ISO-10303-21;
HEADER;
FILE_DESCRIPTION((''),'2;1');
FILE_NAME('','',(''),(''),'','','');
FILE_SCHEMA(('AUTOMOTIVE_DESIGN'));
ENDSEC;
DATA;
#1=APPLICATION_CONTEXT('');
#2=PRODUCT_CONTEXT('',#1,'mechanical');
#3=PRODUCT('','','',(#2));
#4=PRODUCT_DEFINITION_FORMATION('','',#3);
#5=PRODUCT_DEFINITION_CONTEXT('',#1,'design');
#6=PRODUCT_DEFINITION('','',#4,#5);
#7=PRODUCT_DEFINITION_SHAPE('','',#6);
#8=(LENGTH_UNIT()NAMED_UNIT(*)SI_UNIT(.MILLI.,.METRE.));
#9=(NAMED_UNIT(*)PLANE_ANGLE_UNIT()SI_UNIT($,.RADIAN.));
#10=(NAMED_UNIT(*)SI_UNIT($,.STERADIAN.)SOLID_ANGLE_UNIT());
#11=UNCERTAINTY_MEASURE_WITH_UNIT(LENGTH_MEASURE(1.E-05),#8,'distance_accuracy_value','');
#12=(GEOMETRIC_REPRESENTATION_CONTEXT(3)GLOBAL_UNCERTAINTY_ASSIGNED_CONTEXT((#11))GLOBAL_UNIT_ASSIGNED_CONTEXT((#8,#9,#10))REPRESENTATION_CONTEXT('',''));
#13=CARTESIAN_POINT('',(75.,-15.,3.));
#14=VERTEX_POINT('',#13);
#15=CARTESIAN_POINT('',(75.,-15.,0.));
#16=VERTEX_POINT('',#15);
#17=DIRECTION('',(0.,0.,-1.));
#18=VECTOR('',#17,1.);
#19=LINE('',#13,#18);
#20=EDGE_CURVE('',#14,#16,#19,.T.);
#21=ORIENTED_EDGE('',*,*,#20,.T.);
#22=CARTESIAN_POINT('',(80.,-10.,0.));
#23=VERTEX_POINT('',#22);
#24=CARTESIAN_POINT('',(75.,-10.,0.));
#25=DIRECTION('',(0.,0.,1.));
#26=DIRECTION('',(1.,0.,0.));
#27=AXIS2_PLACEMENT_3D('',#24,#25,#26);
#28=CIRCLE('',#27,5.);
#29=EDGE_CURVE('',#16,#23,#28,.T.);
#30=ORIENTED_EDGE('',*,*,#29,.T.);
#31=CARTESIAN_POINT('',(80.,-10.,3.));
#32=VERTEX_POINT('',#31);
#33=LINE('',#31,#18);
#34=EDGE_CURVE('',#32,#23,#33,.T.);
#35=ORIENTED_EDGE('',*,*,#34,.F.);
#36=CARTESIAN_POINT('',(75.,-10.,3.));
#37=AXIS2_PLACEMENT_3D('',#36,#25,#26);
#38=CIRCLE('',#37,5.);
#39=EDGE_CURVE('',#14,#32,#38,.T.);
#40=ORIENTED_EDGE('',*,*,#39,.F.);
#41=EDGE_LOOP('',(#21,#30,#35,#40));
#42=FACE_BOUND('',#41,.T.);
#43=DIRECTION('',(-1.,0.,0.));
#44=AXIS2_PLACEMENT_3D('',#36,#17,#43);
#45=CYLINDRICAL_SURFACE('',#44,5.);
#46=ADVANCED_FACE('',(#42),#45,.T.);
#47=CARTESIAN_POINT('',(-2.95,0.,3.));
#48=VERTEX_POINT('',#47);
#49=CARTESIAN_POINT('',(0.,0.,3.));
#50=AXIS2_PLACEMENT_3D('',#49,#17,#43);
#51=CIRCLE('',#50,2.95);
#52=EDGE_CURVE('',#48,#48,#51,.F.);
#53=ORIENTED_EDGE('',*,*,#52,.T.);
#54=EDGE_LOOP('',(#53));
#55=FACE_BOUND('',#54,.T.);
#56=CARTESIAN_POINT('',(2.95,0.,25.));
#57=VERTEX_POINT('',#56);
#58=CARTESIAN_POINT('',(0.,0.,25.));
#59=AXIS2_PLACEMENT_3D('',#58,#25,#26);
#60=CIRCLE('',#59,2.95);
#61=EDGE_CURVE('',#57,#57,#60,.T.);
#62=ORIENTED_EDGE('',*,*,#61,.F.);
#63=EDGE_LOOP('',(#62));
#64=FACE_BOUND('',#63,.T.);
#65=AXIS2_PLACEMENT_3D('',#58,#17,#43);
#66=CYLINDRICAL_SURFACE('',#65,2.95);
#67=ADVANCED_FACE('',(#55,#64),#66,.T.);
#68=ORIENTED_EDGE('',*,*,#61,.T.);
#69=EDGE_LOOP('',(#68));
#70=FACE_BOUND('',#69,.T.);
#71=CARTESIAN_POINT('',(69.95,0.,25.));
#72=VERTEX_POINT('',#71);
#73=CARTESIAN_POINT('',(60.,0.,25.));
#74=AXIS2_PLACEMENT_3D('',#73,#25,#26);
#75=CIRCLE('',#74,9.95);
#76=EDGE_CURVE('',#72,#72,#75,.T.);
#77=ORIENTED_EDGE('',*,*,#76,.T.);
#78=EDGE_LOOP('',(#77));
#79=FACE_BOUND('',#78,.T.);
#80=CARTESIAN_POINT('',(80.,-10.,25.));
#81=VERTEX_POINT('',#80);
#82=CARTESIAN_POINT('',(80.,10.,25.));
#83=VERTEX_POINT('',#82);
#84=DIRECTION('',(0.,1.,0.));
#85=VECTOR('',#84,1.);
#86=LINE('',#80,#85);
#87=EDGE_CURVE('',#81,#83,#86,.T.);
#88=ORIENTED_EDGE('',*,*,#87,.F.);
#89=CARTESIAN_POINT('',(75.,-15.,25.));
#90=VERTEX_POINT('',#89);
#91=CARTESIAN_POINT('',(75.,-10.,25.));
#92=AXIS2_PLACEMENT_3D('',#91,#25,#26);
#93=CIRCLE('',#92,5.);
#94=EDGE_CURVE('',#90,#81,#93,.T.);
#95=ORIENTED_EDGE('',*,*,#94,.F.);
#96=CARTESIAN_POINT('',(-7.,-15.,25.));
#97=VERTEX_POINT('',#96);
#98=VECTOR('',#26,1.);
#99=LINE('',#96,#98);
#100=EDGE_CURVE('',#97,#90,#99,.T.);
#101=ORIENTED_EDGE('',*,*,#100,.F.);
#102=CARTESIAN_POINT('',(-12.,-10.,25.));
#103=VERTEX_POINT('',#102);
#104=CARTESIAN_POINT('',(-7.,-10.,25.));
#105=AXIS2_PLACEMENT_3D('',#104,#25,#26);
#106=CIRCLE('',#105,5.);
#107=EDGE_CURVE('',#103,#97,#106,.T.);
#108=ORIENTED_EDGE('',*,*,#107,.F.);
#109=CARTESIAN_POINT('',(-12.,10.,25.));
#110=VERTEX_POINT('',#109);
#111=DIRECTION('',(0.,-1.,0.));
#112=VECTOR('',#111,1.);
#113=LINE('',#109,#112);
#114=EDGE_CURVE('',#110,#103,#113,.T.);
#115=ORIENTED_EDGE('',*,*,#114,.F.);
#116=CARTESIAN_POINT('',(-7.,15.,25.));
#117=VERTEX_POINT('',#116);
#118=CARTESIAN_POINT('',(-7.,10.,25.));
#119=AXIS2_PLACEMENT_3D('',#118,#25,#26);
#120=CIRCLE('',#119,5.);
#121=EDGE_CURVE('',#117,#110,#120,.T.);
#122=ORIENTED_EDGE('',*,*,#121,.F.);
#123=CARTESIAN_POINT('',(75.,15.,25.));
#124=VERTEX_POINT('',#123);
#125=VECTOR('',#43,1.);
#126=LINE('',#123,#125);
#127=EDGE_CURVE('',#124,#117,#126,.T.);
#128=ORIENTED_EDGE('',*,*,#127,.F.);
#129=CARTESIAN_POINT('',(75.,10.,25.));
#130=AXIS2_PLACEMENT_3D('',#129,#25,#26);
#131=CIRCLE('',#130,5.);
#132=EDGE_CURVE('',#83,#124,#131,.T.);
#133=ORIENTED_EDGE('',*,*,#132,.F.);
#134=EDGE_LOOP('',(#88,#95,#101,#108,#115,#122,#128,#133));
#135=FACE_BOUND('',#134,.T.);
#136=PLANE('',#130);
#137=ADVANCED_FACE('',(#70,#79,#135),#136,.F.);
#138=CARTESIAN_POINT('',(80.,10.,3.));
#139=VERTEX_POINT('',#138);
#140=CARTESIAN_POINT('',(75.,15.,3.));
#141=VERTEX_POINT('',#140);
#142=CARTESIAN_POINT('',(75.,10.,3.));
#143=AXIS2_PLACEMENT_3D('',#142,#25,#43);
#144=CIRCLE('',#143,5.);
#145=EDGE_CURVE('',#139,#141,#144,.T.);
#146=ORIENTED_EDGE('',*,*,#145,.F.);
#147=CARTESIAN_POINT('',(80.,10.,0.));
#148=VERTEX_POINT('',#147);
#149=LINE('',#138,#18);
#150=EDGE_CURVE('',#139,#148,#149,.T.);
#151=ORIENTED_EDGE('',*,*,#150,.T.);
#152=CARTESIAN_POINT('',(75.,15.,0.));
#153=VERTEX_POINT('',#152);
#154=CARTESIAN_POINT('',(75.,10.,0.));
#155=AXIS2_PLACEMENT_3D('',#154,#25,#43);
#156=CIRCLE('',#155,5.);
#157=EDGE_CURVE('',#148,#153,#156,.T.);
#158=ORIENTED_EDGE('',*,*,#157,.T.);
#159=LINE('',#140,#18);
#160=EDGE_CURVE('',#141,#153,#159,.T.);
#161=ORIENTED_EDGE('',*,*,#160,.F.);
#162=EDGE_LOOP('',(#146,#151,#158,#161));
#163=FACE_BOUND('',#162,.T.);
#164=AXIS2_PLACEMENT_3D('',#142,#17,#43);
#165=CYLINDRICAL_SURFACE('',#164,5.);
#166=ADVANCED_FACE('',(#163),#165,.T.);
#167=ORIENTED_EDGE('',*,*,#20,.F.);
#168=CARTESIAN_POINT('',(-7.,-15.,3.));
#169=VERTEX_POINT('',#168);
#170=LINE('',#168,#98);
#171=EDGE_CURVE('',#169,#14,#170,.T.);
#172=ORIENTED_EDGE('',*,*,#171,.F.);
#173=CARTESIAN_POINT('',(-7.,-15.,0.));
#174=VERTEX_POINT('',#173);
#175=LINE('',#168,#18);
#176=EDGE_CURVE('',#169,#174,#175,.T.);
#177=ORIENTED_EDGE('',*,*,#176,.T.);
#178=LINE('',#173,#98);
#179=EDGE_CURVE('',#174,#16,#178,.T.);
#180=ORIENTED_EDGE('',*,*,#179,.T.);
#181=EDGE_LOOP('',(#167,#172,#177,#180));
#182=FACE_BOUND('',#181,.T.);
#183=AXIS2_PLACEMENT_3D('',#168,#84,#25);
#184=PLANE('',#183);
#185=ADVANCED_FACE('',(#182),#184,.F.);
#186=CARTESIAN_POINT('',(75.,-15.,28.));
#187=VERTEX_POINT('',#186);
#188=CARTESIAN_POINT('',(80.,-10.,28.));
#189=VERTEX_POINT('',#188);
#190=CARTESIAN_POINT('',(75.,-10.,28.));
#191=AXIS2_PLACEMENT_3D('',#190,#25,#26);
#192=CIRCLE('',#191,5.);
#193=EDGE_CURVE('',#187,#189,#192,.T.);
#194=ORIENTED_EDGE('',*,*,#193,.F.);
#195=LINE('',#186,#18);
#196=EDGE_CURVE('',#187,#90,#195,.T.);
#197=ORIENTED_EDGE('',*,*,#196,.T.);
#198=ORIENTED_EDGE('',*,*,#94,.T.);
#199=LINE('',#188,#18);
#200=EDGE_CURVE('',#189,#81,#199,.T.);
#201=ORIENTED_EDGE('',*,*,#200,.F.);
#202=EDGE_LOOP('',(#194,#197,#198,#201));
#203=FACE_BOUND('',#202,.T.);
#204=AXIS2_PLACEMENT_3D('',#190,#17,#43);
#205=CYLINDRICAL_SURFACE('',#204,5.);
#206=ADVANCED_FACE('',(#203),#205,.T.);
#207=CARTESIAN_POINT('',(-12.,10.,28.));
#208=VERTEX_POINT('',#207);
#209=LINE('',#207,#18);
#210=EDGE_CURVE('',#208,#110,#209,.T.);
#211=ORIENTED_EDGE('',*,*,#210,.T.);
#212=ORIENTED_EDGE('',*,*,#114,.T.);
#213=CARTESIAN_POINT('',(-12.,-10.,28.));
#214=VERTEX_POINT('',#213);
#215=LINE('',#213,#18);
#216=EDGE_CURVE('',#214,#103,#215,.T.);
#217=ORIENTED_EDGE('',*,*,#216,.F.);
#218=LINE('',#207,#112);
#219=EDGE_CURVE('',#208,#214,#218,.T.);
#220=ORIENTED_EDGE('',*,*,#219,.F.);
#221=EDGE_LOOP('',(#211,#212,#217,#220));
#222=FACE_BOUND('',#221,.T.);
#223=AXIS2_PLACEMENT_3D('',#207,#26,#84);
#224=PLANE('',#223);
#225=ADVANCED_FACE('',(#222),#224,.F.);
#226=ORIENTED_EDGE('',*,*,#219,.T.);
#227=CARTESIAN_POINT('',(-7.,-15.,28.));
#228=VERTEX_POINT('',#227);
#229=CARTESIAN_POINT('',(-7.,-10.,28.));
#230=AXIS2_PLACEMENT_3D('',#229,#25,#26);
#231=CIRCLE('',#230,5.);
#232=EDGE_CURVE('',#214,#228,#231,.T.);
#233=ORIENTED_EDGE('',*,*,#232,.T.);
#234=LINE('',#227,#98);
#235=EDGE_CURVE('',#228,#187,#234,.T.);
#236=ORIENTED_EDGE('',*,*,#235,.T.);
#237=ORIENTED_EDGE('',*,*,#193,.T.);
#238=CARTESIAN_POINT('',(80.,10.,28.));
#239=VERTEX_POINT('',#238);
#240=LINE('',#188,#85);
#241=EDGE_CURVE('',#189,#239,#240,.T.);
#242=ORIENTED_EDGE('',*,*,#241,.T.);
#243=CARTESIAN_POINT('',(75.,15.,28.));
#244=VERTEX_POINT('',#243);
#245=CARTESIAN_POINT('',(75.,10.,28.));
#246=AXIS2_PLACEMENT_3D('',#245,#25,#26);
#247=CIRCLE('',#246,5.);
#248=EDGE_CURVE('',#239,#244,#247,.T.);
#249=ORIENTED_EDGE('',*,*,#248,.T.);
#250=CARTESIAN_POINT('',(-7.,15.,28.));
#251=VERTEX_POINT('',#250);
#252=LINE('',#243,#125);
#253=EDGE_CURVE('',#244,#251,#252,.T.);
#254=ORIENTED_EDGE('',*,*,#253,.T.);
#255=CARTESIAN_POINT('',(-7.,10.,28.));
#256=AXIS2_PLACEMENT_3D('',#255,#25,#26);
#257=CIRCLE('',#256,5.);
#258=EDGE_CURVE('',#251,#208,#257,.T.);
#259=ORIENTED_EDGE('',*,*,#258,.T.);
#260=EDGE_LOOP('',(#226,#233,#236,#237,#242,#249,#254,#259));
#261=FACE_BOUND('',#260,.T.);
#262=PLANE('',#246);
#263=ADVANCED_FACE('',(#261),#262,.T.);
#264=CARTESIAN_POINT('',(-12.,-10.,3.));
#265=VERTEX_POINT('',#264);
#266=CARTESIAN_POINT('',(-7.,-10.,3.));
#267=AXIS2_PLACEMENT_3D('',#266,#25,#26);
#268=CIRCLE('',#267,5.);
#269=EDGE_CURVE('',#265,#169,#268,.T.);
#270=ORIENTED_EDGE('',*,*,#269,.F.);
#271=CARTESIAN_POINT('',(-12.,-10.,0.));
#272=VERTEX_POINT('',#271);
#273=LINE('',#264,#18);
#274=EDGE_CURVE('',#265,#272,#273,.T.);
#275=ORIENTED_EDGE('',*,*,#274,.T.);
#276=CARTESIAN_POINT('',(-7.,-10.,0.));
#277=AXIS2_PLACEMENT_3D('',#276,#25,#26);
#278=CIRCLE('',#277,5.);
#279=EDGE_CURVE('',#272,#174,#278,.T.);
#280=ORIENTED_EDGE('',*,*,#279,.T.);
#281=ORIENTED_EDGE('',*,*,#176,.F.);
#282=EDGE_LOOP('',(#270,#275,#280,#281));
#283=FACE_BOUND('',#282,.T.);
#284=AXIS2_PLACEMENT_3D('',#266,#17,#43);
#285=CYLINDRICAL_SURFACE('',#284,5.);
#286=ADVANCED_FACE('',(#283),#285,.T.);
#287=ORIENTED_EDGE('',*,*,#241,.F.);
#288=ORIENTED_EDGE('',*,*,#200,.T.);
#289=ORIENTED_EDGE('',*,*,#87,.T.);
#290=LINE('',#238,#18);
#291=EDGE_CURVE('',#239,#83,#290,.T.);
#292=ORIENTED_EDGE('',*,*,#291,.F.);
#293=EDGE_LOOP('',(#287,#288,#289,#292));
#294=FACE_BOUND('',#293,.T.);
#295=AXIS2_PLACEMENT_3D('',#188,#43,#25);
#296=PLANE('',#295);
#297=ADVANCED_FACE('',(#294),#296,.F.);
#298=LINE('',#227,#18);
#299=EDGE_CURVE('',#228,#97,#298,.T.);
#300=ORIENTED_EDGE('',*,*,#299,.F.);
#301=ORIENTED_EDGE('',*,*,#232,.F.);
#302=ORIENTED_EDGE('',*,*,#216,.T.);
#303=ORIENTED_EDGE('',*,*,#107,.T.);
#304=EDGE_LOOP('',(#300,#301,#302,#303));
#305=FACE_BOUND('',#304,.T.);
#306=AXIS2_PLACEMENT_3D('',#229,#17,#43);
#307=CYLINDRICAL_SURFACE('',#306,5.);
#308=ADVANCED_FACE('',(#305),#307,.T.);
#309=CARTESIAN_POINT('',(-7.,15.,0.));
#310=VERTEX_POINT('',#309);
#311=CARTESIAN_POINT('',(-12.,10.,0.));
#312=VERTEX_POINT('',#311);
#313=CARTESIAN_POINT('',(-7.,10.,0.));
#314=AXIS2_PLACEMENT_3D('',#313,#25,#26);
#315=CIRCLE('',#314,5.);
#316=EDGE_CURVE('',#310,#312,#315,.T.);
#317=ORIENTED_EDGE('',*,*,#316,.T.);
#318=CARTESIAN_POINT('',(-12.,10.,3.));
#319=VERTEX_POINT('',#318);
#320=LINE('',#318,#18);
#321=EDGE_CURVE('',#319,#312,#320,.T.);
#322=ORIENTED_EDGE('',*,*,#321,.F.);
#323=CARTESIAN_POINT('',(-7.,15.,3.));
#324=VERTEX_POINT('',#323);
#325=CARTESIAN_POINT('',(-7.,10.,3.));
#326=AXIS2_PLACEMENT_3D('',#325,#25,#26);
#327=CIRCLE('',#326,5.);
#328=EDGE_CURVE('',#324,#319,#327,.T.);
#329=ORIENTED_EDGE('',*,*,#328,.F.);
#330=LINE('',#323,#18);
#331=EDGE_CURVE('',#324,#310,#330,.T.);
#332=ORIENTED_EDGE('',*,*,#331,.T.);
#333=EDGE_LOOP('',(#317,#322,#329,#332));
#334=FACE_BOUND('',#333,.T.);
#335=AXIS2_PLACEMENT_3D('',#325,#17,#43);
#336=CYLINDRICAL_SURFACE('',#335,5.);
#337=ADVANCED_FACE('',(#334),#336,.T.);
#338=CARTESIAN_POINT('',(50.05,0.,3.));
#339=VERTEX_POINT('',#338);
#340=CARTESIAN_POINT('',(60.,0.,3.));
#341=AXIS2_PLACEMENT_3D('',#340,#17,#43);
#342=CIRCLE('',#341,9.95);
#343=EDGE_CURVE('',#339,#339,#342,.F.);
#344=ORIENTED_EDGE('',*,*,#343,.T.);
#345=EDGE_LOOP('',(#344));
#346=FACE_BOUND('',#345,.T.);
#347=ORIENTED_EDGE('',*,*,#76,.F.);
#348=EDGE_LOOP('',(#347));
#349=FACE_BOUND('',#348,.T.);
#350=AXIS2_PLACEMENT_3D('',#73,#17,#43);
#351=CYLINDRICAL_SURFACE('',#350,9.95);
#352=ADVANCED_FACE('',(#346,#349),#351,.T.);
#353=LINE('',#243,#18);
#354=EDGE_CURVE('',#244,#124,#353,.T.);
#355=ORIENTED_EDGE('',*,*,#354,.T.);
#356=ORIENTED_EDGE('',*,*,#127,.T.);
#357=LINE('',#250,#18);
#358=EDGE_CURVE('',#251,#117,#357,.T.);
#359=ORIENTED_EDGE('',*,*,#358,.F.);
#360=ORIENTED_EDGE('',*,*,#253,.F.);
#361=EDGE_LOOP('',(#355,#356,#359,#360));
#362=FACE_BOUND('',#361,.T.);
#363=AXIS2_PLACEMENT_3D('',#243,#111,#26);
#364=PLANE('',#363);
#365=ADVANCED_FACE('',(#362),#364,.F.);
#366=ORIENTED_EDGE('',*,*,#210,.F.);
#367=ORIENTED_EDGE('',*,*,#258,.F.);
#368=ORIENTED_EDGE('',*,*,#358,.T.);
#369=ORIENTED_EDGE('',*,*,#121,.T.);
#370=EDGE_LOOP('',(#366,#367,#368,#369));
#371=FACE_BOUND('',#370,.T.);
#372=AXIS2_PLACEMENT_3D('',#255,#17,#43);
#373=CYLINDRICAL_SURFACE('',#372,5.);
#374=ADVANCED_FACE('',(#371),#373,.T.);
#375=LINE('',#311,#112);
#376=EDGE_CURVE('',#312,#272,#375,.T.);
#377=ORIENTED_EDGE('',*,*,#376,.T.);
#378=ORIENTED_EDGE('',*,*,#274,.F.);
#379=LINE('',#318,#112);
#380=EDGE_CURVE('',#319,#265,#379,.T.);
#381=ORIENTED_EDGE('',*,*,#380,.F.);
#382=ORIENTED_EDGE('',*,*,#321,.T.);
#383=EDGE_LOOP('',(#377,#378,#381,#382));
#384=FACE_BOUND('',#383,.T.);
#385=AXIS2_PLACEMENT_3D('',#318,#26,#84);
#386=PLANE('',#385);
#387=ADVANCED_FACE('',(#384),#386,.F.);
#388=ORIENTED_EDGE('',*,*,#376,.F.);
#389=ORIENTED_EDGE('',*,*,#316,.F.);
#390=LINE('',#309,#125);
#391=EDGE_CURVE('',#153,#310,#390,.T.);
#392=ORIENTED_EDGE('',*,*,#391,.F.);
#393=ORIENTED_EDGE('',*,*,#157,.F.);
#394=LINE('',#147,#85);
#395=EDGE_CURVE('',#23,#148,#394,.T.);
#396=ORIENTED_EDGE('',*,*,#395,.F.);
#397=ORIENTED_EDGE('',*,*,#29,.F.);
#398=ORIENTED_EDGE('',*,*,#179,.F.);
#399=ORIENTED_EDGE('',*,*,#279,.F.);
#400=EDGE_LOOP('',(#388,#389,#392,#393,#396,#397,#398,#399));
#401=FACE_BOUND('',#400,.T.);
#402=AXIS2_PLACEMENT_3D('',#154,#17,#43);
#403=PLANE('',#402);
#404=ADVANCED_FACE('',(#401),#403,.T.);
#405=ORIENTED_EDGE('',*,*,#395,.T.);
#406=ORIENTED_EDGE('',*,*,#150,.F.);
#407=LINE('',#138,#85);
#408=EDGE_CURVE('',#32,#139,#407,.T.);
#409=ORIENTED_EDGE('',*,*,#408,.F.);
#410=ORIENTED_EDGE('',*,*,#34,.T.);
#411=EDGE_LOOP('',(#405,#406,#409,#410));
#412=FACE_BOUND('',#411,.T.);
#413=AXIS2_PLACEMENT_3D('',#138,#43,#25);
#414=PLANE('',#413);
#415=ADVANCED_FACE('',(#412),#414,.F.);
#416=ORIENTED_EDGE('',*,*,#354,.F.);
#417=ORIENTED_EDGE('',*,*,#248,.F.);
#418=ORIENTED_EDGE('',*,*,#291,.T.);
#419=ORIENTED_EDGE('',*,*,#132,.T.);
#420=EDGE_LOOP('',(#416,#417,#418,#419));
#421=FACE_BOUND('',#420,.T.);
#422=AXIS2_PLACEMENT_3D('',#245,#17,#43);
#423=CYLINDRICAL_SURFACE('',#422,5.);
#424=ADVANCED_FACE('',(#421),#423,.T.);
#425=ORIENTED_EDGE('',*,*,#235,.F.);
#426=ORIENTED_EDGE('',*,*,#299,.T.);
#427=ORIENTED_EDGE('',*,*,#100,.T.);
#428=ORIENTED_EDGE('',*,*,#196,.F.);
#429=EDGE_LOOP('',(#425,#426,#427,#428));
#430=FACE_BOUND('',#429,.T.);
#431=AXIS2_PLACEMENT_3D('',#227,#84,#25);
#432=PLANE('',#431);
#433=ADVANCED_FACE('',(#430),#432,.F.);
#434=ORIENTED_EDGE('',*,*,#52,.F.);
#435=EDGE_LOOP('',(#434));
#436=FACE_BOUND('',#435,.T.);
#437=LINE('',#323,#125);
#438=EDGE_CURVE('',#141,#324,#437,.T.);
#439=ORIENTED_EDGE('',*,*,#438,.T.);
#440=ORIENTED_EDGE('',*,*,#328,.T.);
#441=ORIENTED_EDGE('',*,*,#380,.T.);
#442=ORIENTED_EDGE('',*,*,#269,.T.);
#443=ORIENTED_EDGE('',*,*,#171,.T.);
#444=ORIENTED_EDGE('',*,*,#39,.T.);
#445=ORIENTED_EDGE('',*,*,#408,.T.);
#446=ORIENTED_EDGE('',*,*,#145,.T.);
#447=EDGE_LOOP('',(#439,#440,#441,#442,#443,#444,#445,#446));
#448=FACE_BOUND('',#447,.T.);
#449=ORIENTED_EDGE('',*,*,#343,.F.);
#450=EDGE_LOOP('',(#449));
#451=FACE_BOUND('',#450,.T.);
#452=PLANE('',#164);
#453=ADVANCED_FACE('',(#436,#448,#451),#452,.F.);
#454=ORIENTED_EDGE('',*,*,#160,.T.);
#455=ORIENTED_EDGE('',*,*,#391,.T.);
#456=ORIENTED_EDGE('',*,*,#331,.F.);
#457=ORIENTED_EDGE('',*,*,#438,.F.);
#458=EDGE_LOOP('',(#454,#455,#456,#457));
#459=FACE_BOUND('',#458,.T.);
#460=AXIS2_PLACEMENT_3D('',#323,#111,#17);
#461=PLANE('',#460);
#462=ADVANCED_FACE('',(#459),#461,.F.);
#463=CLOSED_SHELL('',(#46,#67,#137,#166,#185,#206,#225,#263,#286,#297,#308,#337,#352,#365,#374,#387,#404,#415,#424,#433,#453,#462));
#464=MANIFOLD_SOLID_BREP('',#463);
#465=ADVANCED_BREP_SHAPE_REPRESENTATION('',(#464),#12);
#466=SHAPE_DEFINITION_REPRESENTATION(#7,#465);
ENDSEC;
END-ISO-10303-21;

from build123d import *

# Parameters (mm, degrees)
BOSS_EXTRUDE1_DEPTH = 3
SKETCH2_R           = 2.95
SKETCH2_R_2         = 9.95
BOSS_EXTRUDE2_DEPTH = 22
BOSS_EXTRUDE3_DEPTH = 3


with BuildPart() as part:
    # Sketch1 → Boss-Extrude1 (new body)
    with BuildSketch(Plane.XY):
        with BuildLine():
            Line((-7, 15), (75, 15))
            ThreePointArc((75, 15), (78.535533906, 13.535533906), (80, 10))
            Line((80, 10), (80, -10))
            ThreePointArc((80, -10), (78.535533906, -13.535533906), (75, -15))
            Line((75, -15), (-7, -15))
            ThreePointArc((-7, -15), (-10.535533906, -13.535533906), (-12, -10))
            Line((-12, -10), (-12, 10))
            ThreePointArc((-12, 10), (-10.535533906, 13.535533906), (-7, 15))
        make_face()
    extrude(amount=BOSS_EXTRUDE1_DEPTH)

    # Sketch2 → Boss-Extrude2 (add)
    with BuildSketch(Plane.XY.offset(3)):
        with Locations(Location((0, 0, 0), (0, 0, 180))):
            Circle(SKETCH2_R)
        with Locations(Location((60, 0, 0), (0, 0, 180))):
            Circle(SKETCH2_R_2)
    extrude(amount=BOSS_EXTRUDE2_DEPTH)

    # Sketch3 → Boss-Extrude3 (add)
    with BuildSketch(Plane.XY.offset(25)):
        with BuildLine():
            Line((75, 15), (-7, 15))
            ThreePointArc((-7, 15), (-10.535533906, 13.535533906), (-12, 10))
            Line((-12, 10), (-12, -10))
            ThreePointArc((-12, -10), (-10.535533906, -13.535533906), (-7, -15))
            Line((-7, -15), (75, -15))
            ThreePointArc((75, -15), (78.535533906, -13.535533906), (80, -10))
            Line((80, -10), (80, 10))
            ThreePointArc((80, 10), (78.535533906, 13.535533906), (75, 15))
        make_face()
    extrude(amount=BOSS_EXTRUDE3_DEPTH)


solid = part.part
